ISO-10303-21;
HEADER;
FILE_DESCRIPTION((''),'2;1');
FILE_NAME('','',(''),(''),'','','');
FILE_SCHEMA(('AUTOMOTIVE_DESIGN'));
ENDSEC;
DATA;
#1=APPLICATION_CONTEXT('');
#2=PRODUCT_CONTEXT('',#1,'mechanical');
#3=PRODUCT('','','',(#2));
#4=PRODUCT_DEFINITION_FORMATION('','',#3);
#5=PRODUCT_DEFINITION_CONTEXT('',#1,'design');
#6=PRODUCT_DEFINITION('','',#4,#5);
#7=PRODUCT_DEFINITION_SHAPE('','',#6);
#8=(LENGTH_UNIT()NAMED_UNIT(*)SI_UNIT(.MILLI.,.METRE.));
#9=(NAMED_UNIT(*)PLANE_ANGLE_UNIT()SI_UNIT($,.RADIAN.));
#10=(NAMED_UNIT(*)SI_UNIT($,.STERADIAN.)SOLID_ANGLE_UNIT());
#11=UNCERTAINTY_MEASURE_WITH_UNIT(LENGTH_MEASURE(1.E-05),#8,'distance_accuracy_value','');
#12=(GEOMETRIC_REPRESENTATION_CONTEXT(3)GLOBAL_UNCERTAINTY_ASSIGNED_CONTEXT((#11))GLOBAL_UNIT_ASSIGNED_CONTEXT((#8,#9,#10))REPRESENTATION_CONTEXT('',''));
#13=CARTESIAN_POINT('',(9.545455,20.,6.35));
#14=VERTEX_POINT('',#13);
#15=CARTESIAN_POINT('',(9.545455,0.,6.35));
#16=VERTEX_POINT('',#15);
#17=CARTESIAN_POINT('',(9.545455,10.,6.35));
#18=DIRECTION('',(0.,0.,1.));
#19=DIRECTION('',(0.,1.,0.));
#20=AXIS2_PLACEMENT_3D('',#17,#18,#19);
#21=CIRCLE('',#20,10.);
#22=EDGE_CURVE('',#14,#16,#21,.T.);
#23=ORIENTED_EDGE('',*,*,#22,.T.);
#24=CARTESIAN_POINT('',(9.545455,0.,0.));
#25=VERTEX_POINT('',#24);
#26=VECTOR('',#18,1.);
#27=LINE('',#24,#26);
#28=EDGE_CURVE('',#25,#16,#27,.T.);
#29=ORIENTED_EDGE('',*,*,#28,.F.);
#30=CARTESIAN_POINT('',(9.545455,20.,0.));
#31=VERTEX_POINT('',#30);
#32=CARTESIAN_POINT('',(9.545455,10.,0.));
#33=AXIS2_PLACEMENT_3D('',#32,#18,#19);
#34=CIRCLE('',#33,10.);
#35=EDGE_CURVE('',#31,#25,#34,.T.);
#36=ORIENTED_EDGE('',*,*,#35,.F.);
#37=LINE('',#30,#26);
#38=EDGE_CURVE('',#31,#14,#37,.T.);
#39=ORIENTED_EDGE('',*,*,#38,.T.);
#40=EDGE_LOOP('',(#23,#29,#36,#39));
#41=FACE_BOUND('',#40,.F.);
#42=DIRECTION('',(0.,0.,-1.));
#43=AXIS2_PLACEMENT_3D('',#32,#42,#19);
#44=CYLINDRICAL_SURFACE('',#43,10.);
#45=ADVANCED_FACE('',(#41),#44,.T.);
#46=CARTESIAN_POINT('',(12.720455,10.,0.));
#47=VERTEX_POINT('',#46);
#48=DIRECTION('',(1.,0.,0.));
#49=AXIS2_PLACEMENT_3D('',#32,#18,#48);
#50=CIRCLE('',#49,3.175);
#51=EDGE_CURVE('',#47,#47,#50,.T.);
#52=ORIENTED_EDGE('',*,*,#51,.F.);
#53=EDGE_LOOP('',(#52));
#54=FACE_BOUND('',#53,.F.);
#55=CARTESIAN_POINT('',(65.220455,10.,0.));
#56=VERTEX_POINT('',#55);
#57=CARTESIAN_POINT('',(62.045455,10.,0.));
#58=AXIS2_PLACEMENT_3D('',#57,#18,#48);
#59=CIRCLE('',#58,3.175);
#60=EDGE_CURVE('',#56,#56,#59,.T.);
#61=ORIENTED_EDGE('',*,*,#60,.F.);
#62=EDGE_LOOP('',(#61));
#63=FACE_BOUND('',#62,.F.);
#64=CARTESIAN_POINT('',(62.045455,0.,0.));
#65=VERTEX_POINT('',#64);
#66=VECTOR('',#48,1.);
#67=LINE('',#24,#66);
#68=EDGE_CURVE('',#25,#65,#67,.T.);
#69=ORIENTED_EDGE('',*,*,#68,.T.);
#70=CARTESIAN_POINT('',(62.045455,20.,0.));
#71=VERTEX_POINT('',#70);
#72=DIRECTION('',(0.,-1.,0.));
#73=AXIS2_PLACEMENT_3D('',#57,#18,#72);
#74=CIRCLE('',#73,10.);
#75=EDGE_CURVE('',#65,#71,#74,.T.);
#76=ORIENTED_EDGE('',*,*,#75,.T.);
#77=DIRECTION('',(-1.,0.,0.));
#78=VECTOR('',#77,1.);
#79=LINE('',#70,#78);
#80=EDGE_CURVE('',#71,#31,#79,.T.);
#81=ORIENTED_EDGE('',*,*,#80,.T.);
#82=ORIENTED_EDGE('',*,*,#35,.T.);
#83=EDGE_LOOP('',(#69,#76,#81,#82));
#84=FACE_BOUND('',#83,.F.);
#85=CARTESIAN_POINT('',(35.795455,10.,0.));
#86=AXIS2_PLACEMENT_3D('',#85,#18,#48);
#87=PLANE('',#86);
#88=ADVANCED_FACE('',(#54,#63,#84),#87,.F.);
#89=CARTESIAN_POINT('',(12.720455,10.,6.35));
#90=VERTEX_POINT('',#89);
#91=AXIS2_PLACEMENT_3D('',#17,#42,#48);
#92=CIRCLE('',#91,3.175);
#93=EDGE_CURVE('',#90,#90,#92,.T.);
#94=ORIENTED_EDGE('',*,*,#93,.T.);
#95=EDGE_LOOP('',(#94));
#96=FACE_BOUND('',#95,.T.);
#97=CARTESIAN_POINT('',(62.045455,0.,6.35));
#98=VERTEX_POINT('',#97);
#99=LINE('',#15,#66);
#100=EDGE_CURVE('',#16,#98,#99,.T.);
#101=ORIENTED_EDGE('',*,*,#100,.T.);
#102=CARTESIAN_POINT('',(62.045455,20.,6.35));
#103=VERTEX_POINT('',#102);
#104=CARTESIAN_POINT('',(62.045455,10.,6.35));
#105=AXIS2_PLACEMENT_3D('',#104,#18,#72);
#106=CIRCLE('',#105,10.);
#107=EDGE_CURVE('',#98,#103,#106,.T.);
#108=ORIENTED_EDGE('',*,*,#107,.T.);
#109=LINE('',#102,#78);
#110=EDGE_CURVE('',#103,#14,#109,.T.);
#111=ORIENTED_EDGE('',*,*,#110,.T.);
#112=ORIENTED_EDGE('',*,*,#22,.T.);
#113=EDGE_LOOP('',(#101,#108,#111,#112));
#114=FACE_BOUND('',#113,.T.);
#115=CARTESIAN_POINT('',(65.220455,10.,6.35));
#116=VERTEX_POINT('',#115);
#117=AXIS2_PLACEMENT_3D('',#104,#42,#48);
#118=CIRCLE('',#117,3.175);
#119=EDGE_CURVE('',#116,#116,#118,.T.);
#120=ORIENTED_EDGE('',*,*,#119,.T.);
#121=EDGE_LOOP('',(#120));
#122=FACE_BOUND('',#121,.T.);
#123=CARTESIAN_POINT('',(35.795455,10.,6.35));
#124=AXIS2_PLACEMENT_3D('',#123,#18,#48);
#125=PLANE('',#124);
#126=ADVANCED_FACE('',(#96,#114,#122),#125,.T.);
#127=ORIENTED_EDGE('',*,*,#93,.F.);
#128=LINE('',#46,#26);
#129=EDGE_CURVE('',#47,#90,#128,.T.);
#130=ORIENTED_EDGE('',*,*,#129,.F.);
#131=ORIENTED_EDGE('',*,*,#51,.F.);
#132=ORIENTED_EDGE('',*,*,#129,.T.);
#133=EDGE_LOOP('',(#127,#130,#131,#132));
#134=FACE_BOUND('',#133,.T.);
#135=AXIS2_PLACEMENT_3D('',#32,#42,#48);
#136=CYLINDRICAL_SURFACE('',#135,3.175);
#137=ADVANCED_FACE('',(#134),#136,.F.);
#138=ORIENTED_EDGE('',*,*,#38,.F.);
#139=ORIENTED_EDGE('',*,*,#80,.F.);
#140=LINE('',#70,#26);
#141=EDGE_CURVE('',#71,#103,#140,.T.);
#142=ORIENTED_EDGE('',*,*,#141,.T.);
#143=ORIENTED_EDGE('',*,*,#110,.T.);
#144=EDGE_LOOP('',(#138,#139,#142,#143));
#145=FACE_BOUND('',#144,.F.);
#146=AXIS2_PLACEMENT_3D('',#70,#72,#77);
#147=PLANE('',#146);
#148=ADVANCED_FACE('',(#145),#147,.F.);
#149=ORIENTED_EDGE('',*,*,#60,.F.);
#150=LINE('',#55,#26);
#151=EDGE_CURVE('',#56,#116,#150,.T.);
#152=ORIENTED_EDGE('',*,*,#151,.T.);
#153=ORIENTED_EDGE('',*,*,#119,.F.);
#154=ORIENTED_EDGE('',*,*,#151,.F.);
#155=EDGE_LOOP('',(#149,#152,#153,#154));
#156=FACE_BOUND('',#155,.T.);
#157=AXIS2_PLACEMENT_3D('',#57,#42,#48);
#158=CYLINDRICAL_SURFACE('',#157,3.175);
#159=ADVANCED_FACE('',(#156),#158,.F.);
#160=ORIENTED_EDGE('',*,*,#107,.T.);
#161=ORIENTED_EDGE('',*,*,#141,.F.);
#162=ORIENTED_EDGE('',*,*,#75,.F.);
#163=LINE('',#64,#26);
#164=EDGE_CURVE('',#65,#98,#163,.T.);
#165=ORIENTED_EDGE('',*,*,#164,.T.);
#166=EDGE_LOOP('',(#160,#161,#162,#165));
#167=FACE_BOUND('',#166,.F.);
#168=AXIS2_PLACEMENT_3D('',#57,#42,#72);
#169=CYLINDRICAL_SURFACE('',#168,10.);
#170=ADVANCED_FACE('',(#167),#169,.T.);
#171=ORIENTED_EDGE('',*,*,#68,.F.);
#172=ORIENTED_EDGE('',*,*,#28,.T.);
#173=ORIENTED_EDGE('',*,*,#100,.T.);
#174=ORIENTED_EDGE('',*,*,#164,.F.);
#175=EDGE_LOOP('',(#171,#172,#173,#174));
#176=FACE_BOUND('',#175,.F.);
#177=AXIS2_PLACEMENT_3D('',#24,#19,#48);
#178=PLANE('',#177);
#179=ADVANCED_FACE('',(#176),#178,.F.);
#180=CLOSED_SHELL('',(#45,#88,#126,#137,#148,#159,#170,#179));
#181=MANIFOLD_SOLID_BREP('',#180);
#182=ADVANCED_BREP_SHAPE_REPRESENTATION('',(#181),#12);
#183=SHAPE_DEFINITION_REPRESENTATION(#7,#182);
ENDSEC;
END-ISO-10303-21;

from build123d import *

# Parameters (mm, degrees)
F2_DEPTH = 6.35
F1_R     = 3.175
F3_DEPTH = 6.351


with BuildPart() as f2:
    # F0 (on Top) → F2 (new body)
    with BuildSketch(Plane.XY):
        with BuildLine():
            Line((9.545455, 0), (62.045455, 0))
            ThreePointArc((62.045455, 0), (72.045455, 10), (62.045455, 20))
            Line((62.045455, 20), (9.545455, 20))
            ThreePointArc((9.545455, 20), (-0.454545, 10), (9.545455, 0))
        make_face()
    extrude(amount=F2_DEPTH)

    # F1 (on face) → F3 (cut, through all)
    with BuildSketch(Plane.XY):
        with Locations((62.045455, 10)):
            Circle(F1_R)
        with Locations((9.545455, 10)):
            Circle(F1_R)
    extrude(amount=F3_DEPTH, mode=Mode.SUBTRACT)


solid = f2.part
